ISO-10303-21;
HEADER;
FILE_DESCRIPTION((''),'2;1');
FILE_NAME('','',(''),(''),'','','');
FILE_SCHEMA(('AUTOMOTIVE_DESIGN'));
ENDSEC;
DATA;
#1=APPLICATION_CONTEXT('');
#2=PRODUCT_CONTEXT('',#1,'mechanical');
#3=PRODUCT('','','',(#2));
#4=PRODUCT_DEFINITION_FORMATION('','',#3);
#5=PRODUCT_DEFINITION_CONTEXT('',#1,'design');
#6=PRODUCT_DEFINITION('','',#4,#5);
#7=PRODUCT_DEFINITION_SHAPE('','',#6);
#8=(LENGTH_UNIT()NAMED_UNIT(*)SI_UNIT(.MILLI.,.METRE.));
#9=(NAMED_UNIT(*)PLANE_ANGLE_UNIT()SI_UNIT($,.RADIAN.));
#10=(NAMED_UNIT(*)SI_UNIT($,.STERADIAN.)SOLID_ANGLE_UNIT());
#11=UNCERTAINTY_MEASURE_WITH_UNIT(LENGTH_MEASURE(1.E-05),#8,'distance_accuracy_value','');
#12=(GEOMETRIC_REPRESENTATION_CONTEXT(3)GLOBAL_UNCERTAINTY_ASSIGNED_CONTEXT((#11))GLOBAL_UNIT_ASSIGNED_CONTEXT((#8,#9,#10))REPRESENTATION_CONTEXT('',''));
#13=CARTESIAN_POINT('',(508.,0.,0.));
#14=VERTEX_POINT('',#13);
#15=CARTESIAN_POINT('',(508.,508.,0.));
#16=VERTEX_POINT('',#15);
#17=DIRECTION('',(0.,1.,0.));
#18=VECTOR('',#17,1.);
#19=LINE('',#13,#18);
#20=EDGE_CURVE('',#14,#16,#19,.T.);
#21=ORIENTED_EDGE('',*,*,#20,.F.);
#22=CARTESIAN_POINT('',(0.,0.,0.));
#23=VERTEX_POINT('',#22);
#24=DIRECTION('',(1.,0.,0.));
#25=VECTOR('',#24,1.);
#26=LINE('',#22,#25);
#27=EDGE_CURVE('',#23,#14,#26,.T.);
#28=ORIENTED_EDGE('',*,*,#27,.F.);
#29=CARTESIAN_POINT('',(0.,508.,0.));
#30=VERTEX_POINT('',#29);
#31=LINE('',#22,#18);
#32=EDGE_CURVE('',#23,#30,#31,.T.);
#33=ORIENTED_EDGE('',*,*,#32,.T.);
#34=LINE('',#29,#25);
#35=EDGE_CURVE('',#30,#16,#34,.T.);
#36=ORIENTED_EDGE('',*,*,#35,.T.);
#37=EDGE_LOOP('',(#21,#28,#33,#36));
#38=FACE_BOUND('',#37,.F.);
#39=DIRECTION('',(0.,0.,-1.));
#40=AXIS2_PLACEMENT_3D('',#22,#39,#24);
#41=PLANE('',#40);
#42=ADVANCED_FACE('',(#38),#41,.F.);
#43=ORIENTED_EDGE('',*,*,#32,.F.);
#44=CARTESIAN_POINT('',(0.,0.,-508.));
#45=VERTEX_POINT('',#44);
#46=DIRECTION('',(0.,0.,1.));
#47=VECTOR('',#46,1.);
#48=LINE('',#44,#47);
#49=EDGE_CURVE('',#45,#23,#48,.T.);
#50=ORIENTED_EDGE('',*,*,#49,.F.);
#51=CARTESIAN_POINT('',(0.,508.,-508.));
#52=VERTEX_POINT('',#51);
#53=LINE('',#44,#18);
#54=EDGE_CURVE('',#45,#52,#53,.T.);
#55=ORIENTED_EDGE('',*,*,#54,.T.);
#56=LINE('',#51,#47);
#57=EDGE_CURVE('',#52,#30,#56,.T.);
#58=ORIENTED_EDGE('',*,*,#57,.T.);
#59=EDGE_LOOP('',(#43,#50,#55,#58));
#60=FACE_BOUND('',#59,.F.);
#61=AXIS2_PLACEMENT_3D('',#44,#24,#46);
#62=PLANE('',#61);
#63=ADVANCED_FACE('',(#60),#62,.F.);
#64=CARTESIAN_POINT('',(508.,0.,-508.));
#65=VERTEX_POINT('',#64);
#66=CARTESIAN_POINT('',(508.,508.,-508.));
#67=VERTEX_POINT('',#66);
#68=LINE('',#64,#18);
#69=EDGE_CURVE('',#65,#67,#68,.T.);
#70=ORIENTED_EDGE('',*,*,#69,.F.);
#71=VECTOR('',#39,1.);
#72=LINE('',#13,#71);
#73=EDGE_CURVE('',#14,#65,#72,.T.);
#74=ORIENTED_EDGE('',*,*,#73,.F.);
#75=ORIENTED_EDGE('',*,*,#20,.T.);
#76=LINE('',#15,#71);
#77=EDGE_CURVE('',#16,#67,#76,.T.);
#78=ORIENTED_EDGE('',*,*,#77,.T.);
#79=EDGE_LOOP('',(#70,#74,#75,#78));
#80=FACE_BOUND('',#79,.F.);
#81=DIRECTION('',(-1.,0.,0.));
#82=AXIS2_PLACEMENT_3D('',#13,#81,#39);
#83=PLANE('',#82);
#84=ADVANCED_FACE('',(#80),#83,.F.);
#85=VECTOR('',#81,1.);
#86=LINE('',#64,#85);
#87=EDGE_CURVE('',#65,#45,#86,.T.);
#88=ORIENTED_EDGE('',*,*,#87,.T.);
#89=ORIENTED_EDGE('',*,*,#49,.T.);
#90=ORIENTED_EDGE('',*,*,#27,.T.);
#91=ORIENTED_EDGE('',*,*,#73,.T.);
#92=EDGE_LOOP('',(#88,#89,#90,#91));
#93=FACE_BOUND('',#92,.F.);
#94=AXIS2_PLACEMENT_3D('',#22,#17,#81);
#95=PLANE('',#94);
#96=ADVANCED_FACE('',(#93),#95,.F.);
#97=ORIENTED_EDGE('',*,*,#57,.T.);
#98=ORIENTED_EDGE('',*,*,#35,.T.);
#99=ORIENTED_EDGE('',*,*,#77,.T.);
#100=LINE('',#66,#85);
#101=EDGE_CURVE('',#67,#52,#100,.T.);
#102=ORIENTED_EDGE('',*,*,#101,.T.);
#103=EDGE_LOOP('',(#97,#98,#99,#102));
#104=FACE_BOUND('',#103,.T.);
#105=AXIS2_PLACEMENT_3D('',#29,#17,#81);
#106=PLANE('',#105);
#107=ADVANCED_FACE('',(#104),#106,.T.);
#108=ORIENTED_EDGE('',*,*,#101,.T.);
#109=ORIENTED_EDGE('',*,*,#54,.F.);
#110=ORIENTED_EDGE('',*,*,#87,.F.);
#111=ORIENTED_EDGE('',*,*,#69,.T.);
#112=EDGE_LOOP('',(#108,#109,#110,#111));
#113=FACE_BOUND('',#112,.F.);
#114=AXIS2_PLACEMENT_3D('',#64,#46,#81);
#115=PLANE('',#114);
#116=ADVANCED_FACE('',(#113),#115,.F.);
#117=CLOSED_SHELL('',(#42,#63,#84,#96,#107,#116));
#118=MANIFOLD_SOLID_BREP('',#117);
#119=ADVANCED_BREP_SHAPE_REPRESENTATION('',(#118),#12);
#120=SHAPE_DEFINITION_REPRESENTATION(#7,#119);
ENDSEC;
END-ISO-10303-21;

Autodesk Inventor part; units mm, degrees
ref_plane "YZ Plane" through (0, 0, 0) normal (1, 0, 0) x (0, 1, 0)
ref_plane "XZ Plane" through (0, 0, 0) normal (0, 1, 0) x (-1, 0, 0)
ref_plane "XY Plane" through (0, 0, 0) normal (0, 0, 1) x (1, 0, 0)
sketch "Sketch2" plane through (0, 0, 0) normal (0, 1, 0) x (-1, 0, 0)
  line L0 (0, 0) -> (-508, 0)
  line L1 (-508, 0) -> (-508, -508)
  line L2 (-508, -508) -> (0, -508)
  line L3 (0, -508) -> (0, 0)
  dimension "d3" = 508
  dimension "d4" = 508
extrude "Extrusion1" add sketch "Sketch2" along normal blind 508
sketch "Sketch3" plane through (0, 0, 0) normal (0, 0, 1) x (1, 0, 0)
  line L0 (0, 188.3898) -> (508, 188.3898)
  line L1 (508, 0) -> (508, 508) projected
  point P0 (0, 0)
properties part number "skeleton"
